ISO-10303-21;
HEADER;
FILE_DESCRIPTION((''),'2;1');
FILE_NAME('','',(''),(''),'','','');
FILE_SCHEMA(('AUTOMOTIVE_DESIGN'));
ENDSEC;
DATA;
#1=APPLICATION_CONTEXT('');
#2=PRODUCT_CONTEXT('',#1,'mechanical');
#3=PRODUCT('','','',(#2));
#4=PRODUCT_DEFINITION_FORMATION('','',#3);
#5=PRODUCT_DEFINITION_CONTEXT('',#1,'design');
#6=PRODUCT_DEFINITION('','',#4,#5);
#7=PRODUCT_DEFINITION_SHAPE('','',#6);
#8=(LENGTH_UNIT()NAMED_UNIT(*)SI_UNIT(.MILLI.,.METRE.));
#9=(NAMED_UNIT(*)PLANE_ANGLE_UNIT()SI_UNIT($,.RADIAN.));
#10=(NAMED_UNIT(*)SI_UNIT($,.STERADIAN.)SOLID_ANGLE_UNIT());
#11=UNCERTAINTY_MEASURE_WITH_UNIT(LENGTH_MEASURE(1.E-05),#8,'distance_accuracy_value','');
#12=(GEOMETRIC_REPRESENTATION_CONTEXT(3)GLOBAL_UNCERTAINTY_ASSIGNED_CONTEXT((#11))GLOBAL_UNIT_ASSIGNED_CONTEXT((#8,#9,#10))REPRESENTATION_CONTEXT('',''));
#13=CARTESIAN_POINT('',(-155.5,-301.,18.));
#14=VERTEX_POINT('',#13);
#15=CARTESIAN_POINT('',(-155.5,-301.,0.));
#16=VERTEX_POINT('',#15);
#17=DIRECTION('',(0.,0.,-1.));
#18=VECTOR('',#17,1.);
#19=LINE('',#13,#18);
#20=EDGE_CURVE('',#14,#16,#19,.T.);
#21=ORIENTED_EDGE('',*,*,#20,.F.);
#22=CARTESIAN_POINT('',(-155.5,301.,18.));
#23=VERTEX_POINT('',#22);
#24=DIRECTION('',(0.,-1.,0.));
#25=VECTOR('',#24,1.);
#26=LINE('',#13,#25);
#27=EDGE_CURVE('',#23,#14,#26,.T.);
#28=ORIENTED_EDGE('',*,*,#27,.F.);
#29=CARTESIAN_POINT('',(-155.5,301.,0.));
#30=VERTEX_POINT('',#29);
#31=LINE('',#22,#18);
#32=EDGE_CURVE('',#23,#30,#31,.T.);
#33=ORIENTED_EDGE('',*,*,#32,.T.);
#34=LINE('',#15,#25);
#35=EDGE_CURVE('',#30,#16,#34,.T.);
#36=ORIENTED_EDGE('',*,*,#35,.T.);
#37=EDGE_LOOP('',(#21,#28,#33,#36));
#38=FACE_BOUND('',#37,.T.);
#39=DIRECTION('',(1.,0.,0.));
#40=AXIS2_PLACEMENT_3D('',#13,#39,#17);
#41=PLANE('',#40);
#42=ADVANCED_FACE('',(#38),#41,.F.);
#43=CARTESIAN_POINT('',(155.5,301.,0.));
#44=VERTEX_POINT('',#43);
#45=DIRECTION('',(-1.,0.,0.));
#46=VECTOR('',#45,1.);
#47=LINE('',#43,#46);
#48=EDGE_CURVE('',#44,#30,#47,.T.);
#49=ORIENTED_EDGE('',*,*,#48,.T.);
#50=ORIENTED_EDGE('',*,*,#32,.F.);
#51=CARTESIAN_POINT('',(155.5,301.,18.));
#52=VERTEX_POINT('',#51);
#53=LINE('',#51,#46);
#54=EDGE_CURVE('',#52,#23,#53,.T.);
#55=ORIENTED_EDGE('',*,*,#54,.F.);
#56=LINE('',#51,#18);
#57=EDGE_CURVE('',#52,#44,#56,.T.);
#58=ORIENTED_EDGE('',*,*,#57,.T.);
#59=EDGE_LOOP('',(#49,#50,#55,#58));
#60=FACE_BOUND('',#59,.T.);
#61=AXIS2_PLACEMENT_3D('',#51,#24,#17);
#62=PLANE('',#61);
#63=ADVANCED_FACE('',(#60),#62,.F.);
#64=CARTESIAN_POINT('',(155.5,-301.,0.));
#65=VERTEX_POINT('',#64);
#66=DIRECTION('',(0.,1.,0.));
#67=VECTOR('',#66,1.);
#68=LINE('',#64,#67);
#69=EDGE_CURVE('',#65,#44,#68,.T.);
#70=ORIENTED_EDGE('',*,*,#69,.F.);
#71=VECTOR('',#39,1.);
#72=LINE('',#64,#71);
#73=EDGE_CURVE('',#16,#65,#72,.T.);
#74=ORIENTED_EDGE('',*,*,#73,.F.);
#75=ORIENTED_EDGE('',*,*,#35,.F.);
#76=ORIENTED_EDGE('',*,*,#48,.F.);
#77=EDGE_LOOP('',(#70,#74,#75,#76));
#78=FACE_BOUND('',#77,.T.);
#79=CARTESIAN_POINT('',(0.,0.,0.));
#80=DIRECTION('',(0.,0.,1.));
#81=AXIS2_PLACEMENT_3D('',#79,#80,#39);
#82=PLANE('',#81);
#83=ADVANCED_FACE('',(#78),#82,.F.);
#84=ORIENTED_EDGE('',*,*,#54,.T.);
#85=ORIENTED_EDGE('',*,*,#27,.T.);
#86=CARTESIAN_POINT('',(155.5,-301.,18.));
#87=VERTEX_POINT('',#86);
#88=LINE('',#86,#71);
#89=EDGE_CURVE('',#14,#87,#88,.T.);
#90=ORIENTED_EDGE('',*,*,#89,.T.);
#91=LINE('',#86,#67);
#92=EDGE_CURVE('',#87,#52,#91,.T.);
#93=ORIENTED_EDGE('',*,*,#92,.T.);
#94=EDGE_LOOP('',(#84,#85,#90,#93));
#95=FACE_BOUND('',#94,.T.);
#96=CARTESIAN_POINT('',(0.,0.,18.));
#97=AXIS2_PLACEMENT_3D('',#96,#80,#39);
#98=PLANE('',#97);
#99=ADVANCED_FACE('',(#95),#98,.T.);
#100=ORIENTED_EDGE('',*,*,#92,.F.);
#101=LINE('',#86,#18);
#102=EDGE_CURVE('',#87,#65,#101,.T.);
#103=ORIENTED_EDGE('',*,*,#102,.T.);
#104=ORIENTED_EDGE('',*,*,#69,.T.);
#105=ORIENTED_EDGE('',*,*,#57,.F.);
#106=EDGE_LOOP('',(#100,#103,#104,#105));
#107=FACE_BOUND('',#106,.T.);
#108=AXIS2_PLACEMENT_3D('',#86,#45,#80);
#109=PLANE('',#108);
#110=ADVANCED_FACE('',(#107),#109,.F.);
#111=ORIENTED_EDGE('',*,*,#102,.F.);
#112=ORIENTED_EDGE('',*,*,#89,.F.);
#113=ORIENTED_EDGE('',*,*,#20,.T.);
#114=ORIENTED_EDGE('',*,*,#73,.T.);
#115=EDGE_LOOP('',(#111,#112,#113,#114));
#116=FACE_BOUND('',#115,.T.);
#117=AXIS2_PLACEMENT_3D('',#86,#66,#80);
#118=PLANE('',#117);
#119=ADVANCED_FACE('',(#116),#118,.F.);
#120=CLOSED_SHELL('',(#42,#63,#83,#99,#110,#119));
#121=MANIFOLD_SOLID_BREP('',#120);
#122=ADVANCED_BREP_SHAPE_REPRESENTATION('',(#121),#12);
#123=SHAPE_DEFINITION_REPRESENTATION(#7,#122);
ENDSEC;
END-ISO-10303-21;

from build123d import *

# Parameters (mm, degrees)
SKETCH1_W           = 311
SKETCH1_H           = 602
BOSS_EXTRUDE1_DEPTH = 18


with BuildPart() as part:
    # Sketch1 → Boss-Extrude1 (new body)
    with BuildSketch(Plane.XY):
        Rectangle(SKETCH1_W, SKETCH1_H)
    extrude(amount=BOSS_EXTRUDE1_DEPTH)


solid = part.part
